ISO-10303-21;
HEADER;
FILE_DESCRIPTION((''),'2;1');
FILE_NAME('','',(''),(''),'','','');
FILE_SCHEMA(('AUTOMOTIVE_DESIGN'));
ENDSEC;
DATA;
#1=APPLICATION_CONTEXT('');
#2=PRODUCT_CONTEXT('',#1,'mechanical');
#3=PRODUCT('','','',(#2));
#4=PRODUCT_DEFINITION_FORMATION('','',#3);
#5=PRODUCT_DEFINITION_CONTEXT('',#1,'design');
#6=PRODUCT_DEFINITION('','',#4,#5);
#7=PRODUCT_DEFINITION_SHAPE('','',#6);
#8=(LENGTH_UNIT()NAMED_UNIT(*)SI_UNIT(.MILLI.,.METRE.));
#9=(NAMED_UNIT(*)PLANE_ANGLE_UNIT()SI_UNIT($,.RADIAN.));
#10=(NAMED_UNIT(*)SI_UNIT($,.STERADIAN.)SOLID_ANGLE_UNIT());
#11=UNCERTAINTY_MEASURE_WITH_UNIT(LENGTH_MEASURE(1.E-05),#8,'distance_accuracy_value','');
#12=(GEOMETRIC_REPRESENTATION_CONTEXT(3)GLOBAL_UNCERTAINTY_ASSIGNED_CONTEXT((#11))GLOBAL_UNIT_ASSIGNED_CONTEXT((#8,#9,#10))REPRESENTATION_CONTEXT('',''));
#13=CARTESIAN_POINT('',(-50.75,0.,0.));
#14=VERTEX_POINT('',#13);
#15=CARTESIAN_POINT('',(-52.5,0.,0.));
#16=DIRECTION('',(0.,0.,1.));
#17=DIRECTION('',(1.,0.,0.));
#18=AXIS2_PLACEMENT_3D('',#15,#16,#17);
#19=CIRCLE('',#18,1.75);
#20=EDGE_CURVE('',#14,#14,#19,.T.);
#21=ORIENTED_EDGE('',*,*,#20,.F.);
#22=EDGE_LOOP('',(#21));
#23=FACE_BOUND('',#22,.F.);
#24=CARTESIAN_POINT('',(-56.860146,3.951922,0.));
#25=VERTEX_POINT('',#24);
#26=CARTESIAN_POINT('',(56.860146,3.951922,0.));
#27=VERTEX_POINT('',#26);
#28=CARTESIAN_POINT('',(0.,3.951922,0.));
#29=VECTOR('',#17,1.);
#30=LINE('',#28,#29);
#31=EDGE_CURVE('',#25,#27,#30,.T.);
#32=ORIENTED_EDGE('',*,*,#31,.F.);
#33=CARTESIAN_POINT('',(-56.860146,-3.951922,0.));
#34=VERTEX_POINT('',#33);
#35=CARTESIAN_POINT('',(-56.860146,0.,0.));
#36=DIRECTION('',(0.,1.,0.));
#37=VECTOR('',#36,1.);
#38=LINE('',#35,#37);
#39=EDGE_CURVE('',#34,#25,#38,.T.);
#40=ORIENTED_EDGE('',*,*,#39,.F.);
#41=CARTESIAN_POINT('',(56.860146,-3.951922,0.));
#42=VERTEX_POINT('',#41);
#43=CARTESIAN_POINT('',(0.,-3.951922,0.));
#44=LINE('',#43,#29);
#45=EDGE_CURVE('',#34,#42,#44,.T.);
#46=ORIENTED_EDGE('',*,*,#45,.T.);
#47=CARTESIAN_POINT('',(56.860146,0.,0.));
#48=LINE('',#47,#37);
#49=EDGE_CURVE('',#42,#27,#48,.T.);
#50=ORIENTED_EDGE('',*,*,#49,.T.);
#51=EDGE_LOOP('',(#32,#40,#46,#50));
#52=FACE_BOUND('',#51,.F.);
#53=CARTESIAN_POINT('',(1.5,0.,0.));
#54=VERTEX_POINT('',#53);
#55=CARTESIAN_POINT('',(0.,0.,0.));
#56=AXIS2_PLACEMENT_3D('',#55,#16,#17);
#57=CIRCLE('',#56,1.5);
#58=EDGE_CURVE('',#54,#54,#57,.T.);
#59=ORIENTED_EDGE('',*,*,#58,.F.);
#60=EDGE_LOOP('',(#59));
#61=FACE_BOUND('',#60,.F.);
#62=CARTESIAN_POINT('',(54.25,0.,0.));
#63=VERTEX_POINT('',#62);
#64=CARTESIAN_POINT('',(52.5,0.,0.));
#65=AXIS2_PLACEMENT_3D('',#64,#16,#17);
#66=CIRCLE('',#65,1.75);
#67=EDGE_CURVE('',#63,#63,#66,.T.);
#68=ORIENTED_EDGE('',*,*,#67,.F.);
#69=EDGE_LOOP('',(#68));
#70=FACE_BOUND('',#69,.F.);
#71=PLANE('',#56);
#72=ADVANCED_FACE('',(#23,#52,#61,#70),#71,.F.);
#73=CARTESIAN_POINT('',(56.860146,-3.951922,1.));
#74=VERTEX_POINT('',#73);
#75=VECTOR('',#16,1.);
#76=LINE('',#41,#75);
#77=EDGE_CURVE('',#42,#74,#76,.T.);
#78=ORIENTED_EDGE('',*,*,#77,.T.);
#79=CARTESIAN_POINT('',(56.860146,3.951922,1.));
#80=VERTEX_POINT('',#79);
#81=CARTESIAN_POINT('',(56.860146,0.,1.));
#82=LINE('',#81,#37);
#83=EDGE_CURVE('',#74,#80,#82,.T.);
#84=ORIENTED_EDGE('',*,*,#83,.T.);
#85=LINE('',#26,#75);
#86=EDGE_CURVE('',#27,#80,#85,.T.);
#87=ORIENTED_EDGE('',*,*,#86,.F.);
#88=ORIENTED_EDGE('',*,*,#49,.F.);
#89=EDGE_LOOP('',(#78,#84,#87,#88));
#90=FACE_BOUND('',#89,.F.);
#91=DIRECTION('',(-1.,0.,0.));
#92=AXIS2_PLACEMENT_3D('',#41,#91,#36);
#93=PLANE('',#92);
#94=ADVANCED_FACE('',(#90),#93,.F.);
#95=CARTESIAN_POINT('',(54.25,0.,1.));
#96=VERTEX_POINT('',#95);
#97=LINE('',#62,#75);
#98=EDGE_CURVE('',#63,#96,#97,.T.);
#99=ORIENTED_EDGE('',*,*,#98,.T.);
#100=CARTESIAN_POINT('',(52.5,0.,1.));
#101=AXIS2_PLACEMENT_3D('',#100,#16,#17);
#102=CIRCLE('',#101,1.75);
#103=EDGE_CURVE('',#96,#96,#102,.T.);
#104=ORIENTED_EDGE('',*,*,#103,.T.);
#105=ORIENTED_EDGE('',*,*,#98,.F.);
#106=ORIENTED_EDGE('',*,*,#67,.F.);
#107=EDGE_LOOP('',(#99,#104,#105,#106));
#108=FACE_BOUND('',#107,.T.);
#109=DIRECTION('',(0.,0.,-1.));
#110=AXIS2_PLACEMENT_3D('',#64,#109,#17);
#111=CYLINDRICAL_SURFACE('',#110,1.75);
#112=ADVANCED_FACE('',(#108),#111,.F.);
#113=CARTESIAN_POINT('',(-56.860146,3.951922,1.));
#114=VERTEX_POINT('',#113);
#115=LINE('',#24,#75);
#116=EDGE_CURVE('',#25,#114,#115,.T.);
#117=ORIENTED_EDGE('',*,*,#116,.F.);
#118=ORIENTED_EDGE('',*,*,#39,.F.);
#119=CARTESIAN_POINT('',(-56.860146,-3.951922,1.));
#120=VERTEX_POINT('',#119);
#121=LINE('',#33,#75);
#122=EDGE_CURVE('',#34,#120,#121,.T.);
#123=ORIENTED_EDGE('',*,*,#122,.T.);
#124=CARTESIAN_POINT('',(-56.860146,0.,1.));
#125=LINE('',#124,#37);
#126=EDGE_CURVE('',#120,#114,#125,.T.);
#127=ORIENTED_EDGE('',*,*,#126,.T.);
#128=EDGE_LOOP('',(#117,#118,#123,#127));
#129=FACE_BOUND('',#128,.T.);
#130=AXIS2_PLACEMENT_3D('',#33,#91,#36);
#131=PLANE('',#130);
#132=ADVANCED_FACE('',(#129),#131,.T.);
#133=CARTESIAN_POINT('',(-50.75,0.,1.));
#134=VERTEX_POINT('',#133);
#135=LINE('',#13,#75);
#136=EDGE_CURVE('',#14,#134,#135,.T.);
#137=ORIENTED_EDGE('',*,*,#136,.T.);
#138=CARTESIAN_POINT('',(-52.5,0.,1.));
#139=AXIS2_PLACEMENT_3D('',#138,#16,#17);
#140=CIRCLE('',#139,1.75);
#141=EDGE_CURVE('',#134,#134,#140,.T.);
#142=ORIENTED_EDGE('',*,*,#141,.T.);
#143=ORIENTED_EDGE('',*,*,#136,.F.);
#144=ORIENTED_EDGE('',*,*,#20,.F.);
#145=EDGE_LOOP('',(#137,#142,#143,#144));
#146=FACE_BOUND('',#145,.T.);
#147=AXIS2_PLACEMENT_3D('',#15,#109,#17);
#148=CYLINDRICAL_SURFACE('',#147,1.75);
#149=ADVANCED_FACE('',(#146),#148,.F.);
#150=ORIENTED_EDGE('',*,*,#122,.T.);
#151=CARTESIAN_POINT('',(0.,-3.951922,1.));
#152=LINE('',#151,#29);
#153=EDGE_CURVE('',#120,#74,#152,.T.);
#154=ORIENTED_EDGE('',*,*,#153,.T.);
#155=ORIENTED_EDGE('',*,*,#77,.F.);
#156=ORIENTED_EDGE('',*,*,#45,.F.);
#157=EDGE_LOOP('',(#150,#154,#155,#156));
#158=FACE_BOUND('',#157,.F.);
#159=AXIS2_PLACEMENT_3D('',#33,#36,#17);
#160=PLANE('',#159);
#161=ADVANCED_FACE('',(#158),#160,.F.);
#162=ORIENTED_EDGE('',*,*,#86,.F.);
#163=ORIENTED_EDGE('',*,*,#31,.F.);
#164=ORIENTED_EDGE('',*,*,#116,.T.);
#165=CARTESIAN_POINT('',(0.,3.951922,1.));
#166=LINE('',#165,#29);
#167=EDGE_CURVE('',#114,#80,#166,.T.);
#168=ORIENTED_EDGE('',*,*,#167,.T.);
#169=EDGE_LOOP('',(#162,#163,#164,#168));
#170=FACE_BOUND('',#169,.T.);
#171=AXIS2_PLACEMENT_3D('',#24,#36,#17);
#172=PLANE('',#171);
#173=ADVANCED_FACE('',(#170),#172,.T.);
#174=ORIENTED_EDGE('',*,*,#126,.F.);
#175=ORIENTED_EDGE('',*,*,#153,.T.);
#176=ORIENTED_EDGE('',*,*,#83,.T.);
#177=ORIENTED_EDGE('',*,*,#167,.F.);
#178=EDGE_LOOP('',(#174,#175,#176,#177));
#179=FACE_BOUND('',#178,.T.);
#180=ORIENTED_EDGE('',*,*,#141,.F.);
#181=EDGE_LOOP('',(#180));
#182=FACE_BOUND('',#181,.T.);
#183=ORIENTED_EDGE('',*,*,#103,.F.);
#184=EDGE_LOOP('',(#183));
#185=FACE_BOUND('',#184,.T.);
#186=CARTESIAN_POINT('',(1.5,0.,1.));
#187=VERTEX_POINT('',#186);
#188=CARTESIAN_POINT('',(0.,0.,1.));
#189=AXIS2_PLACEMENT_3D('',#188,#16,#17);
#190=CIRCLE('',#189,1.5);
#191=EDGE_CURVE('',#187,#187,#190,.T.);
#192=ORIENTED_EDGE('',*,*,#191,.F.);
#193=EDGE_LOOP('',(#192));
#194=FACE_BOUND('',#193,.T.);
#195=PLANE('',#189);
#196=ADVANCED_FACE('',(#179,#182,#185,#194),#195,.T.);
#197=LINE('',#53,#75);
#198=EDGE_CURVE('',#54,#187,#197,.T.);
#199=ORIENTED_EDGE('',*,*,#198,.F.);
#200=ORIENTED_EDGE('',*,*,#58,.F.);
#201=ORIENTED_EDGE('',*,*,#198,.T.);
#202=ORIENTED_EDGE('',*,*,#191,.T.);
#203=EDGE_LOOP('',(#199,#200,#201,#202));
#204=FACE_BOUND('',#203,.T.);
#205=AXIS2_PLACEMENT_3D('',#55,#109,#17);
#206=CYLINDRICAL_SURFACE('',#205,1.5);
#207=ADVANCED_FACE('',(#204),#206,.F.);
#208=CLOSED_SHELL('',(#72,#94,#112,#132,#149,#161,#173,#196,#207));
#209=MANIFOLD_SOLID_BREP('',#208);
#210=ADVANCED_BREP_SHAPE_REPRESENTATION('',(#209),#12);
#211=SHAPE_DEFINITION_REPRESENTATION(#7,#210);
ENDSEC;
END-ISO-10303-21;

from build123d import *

# Parameters (mm, degrees)
SKETCH004_W   = 113.720292
SKETCH004_H   = 7.903844
SKETCH004_R   = 1.75
SKETCH004_R_2 = 1.5
PAD_DEPTH     = 1


with BuildPart() as part:
    # Sketch004 → Pad (new body)
    with BuildSketch(Plane.XY):
        Rectangle(SKETCH004_W, SKETCH004_H)
        with Locations((-52.5, 0)):
            Circle(SKETCH004_R, mode=Mode.SUBTRACT)
        with Locations((52.5, 0)):
            Circle(SKETCH004_R, mode=Mode.SUBTRACT)
        Circle(SKETCH004_R_2, mode=Mode.SUBTRACT)
    extrude(amount=PAD_DEPTH)


solid = part.part
